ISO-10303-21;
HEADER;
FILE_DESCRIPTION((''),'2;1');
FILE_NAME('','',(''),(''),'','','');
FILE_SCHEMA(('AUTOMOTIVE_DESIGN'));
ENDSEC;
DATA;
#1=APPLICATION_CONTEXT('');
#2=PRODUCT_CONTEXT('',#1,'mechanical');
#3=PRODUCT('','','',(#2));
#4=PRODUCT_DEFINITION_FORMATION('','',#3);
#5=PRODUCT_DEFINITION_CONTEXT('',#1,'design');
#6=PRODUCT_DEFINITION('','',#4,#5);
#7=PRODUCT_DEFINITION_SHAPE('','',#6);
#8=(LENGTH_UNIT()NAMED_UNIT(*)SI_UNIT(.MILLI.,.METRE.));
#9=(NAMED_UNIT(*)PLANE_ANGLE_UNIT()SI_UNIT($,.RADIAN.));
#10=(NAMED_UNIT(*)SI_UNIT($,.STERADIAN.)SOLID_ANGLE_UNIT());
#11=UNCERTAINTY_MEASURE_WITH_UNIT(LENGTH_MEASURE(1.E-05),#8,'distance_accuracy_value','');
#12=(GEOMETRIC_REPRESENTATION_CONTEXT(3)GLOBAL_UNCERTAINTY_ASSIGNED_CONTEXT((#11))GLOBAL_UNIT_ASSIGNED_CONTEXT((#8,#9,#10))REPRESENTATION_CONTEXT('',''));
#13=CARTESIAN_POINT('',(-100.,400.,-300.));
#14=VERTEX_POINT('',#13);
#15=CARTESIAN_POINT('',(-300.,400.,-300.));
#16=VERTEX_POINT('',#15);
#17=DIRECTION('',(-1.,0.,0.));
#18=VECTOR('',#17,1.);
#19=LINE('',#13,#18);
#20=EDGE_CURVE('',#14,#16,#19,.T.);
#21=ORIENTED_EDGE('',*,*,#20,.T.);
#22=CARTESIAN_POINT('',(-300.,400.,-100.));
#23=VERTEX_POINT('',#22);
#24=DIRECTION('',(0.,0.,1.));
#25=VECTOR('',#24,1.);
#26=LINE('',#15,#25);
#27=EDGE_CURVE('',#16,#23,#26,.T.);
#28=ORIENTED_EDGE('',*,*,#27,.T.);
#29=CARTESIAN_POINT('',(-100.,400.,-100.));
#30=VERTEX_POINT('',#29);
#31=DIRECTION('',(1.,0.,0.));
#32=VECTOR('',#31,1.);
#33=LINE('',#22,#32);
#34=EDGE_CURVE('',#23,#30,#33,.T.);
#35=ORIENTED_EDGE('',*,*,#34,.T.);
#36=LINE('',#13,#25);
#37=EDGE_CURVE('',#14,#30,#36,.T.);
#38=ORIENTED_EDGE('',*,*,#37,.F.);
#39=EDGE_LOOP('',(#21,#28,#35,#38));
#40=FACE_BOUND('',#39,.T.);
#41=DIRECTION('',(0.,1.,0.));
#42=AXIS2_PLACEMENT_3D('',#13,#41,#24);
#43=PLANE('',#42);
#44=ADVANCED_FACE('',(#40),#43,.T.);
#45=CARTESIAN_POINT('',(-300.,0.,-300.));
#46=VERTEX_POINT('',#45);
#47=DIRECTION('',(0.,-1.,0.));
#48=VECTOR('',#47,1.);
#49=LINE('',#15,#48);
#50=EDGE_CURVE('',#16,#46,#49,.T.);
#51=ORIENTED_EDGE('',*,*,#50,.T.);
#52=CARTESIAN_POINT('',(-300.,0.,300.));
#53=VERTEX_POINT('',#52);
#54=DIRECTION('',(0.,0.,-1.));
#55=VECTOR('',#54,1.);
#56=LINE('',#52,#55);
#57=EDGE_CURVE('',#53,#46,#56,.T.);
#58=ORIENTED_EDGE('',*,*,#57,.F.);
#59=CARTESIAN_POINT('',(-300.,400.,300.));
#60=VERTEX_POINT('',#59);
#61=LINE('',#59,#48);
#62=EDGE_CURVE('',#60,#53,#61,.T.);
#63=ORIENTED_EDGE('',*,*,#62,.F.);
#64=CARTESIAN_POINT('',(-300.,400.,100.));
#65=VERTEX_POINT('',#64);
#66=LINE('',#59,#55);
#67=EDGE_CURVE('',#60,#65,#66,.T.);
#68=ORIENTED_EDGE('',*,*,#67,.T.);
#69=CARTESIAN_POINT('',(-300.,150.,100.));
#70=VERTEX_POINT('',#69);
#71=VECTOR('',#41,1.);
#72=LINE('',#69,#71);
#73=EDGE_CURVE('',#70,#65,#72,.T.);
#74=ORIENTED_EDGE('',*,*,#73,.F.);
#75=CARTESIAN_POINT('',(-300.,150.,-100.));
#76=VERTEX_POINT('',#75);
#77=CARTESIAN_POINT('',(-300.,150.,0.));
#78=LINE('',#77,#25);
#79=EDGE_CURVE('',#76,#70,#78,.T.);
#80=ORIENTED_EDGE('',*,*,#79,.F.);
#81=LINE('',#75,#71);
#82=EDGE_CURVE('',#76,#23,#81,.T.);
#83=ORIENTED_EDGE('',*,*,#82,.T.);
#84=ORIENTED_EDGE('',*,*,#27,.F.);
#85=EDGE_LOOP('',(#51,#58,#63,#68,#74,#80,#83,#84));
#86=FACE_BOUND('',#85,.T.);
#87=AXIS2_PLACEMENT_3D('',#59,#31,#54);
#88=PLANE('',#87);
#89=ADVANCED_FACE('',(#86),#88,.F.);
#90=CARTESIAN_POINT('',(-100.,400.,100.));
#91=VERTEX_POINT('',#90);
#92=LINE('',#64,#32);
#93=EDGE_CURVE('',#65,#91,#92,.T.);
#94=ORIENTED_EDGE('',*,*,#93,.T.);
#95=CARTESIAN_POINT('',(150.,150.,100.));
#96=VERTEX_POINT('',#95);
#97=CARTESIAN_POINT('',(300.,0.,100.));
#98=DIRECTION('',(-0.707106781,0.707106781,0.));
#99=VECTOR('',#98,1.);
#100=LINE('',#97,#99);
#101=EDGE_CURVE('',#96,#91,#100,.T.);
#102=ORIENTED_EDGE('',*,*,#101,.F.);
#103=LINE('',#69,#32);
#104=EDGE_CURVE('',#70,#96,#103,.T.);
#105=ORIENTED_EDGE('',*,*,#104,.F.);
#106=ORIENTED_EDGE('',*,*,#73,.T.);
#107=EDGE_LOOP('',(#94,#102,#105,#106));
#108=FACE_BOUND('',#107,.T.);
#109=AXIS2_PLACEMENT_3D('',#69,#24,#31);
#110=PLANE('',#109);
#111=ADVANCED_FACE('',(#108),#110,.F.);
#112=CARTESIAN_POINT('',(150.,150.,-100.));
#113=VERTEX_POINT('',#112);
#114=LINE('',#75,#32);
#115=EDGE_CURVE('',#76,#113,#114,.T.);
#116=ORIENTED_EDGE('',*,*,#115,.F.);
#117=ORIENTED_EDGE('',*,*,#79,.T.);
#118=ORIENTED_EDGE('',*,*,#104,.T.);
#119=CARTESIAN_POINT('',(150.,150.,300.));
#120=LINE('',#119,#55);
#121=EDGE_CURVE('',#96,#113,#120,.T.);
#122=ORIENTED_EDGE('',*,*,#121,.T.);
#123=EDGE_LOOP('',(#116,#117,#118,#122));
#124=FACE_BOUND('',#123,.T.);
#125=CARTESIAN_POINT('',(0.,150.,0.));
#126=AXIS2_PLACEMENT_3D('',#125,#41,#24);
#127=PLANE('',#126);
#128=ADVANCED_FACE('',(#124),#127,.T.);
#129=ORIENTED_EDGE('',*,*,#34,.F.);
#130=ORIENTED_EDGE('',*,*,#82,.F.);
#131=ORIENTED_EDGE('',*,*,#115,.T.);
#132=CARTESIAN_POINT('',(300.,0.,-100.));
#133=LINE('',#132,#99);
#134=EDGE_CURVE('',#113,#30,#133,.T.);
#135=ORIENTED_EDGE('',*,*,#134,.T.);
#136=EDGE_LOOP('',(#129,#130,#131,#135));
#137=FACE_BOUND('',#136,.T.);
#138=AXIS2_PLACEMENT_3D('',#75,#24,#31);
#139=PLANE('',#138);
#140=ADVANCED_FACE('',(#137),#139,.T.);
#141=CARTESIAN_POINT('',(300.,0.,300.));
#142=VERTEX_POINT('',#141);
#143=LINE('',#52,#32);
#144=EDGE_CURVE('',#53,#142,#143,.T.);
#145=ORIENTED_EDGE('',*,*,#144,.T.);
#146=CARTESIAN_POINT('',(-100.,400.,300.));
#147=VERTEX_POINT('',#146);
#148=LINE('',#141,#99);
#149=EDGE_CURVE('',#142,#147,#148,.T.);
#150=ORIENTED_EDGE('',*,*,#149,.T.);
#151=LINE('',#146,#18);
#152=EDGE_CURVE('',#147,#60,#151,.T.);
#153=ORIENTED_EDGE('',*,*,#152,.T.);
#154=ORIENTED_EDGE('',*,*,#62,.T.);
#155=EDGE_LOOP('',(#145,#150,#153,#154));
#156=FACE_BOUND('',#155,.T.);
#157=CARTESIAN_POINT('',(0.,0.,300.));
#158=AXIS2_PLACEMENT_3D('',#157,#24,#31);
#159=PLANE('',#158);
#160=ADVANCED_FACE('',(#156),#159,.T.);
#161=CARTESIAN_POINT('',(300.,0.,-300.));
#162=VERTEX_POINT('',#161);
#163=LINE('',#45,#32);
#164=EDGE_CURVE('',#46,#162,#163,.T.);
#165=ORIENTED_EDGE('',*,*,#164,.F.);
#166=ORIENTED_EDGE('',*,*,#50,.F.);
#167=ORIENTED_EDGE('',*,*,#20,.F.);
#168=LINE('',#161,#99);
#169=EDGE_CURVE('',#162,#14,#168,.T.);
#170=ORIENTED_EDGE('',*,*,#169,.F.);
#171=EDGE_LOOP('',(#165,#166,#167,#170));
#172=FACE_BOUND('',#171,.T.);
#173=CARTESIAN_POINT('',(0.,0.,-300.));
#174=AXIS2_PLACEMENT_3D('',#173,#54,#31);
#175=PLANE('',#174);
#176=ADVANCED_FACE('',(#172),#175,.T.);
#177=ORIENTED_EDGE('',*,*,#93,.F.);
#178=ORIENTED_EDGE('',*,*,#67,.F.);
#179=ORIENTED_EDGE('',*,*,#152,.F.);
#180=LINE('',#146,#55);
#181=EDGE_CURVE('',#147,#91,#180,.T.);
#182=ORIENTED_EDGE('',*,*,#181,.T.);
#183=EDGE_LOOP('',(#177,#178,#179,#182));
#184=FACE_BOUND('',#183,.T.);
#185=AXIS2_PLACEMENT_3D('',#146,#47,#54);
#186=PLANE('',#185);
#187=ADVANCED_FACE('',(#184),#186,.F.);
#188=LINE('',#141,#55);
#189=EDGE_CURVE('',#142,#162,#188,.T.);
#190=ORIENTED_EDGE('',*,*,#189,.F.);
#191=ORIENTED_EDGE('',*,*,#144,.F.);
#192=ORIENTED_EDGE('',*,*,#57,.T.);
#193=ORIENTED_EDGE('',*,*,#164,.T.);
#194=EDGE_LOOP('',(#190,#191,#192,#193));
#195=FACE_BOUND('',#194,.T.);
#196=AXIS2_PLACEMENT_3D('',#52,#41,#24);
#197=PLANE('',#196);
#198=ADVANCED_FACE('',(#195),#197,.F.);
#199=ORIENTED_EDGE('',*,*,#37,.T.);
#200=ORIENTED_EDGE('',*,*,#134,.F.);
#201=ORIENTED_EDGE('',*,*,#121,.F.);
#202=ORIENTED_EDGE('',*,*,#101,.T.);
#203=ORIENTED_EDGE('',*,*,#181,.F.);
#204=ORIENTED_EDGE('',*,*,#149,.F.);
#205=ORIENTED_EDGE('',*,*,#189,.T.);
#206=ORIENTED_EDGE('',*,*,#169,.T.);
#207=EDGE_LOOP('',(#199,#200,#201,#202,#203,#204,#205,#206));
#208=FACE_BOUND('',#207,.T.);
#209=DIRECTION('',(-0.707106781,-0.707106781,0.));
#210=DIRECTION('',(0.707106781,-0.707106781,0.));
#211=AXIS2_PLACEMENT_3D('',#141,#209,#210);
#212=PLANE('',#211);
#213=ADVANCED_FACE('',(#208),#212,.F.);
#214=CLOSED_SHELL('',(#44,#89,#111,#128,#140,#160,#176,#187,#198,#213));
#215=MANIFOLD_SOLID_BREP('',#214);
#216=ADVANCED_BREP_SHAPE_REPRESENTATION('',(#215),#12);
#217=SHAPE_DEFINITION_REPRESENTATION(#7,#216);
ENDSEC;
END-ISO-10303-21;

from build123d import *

# Parameters (mm, degrees)
BOSS_EXTRUDE1_DEPTH = 300
SKETCH2_W           = 600
SKETCH2_H           = 100
CUT_EXTRUDE1_DEPTH  = 250


with BuildPart() as part:
    # Sketch1 → Boss-Extrude1 (new body)
    with BuildSketch(Plane.XY):
        Polygon((-300, 400), (-300, 0), (300, 0), (-100, 400), align=None)
    boss_extrude1 = extrude(amount=BOSS_EXTRUDE1_DEPTH)

    # Sketch2 → Cut-Extrude1 (cut)
    with BuildSketch(Plane(origin=(0, 400, 0), x_dir=(1, 0, 0), z_dir=(0, 1, 0))):
        with Locations((0, -50)):
            Rectangle(SKETCH2_W, SKETCH2_H)
    cut_extrude1 = extrude(amount=-CUT_EXTRUDE1_DEPTH, mode=Mode.SUBTRACT)

    # Mirror1: Boss-Extrude1, Cut-Extrude1 across plane
    add(boss_extrude1.mirror(Plane.XY))
    add(cut_extrude1.mirror(Plane.XY), mode=Mode.SUBTRACT)


solid = part.part
